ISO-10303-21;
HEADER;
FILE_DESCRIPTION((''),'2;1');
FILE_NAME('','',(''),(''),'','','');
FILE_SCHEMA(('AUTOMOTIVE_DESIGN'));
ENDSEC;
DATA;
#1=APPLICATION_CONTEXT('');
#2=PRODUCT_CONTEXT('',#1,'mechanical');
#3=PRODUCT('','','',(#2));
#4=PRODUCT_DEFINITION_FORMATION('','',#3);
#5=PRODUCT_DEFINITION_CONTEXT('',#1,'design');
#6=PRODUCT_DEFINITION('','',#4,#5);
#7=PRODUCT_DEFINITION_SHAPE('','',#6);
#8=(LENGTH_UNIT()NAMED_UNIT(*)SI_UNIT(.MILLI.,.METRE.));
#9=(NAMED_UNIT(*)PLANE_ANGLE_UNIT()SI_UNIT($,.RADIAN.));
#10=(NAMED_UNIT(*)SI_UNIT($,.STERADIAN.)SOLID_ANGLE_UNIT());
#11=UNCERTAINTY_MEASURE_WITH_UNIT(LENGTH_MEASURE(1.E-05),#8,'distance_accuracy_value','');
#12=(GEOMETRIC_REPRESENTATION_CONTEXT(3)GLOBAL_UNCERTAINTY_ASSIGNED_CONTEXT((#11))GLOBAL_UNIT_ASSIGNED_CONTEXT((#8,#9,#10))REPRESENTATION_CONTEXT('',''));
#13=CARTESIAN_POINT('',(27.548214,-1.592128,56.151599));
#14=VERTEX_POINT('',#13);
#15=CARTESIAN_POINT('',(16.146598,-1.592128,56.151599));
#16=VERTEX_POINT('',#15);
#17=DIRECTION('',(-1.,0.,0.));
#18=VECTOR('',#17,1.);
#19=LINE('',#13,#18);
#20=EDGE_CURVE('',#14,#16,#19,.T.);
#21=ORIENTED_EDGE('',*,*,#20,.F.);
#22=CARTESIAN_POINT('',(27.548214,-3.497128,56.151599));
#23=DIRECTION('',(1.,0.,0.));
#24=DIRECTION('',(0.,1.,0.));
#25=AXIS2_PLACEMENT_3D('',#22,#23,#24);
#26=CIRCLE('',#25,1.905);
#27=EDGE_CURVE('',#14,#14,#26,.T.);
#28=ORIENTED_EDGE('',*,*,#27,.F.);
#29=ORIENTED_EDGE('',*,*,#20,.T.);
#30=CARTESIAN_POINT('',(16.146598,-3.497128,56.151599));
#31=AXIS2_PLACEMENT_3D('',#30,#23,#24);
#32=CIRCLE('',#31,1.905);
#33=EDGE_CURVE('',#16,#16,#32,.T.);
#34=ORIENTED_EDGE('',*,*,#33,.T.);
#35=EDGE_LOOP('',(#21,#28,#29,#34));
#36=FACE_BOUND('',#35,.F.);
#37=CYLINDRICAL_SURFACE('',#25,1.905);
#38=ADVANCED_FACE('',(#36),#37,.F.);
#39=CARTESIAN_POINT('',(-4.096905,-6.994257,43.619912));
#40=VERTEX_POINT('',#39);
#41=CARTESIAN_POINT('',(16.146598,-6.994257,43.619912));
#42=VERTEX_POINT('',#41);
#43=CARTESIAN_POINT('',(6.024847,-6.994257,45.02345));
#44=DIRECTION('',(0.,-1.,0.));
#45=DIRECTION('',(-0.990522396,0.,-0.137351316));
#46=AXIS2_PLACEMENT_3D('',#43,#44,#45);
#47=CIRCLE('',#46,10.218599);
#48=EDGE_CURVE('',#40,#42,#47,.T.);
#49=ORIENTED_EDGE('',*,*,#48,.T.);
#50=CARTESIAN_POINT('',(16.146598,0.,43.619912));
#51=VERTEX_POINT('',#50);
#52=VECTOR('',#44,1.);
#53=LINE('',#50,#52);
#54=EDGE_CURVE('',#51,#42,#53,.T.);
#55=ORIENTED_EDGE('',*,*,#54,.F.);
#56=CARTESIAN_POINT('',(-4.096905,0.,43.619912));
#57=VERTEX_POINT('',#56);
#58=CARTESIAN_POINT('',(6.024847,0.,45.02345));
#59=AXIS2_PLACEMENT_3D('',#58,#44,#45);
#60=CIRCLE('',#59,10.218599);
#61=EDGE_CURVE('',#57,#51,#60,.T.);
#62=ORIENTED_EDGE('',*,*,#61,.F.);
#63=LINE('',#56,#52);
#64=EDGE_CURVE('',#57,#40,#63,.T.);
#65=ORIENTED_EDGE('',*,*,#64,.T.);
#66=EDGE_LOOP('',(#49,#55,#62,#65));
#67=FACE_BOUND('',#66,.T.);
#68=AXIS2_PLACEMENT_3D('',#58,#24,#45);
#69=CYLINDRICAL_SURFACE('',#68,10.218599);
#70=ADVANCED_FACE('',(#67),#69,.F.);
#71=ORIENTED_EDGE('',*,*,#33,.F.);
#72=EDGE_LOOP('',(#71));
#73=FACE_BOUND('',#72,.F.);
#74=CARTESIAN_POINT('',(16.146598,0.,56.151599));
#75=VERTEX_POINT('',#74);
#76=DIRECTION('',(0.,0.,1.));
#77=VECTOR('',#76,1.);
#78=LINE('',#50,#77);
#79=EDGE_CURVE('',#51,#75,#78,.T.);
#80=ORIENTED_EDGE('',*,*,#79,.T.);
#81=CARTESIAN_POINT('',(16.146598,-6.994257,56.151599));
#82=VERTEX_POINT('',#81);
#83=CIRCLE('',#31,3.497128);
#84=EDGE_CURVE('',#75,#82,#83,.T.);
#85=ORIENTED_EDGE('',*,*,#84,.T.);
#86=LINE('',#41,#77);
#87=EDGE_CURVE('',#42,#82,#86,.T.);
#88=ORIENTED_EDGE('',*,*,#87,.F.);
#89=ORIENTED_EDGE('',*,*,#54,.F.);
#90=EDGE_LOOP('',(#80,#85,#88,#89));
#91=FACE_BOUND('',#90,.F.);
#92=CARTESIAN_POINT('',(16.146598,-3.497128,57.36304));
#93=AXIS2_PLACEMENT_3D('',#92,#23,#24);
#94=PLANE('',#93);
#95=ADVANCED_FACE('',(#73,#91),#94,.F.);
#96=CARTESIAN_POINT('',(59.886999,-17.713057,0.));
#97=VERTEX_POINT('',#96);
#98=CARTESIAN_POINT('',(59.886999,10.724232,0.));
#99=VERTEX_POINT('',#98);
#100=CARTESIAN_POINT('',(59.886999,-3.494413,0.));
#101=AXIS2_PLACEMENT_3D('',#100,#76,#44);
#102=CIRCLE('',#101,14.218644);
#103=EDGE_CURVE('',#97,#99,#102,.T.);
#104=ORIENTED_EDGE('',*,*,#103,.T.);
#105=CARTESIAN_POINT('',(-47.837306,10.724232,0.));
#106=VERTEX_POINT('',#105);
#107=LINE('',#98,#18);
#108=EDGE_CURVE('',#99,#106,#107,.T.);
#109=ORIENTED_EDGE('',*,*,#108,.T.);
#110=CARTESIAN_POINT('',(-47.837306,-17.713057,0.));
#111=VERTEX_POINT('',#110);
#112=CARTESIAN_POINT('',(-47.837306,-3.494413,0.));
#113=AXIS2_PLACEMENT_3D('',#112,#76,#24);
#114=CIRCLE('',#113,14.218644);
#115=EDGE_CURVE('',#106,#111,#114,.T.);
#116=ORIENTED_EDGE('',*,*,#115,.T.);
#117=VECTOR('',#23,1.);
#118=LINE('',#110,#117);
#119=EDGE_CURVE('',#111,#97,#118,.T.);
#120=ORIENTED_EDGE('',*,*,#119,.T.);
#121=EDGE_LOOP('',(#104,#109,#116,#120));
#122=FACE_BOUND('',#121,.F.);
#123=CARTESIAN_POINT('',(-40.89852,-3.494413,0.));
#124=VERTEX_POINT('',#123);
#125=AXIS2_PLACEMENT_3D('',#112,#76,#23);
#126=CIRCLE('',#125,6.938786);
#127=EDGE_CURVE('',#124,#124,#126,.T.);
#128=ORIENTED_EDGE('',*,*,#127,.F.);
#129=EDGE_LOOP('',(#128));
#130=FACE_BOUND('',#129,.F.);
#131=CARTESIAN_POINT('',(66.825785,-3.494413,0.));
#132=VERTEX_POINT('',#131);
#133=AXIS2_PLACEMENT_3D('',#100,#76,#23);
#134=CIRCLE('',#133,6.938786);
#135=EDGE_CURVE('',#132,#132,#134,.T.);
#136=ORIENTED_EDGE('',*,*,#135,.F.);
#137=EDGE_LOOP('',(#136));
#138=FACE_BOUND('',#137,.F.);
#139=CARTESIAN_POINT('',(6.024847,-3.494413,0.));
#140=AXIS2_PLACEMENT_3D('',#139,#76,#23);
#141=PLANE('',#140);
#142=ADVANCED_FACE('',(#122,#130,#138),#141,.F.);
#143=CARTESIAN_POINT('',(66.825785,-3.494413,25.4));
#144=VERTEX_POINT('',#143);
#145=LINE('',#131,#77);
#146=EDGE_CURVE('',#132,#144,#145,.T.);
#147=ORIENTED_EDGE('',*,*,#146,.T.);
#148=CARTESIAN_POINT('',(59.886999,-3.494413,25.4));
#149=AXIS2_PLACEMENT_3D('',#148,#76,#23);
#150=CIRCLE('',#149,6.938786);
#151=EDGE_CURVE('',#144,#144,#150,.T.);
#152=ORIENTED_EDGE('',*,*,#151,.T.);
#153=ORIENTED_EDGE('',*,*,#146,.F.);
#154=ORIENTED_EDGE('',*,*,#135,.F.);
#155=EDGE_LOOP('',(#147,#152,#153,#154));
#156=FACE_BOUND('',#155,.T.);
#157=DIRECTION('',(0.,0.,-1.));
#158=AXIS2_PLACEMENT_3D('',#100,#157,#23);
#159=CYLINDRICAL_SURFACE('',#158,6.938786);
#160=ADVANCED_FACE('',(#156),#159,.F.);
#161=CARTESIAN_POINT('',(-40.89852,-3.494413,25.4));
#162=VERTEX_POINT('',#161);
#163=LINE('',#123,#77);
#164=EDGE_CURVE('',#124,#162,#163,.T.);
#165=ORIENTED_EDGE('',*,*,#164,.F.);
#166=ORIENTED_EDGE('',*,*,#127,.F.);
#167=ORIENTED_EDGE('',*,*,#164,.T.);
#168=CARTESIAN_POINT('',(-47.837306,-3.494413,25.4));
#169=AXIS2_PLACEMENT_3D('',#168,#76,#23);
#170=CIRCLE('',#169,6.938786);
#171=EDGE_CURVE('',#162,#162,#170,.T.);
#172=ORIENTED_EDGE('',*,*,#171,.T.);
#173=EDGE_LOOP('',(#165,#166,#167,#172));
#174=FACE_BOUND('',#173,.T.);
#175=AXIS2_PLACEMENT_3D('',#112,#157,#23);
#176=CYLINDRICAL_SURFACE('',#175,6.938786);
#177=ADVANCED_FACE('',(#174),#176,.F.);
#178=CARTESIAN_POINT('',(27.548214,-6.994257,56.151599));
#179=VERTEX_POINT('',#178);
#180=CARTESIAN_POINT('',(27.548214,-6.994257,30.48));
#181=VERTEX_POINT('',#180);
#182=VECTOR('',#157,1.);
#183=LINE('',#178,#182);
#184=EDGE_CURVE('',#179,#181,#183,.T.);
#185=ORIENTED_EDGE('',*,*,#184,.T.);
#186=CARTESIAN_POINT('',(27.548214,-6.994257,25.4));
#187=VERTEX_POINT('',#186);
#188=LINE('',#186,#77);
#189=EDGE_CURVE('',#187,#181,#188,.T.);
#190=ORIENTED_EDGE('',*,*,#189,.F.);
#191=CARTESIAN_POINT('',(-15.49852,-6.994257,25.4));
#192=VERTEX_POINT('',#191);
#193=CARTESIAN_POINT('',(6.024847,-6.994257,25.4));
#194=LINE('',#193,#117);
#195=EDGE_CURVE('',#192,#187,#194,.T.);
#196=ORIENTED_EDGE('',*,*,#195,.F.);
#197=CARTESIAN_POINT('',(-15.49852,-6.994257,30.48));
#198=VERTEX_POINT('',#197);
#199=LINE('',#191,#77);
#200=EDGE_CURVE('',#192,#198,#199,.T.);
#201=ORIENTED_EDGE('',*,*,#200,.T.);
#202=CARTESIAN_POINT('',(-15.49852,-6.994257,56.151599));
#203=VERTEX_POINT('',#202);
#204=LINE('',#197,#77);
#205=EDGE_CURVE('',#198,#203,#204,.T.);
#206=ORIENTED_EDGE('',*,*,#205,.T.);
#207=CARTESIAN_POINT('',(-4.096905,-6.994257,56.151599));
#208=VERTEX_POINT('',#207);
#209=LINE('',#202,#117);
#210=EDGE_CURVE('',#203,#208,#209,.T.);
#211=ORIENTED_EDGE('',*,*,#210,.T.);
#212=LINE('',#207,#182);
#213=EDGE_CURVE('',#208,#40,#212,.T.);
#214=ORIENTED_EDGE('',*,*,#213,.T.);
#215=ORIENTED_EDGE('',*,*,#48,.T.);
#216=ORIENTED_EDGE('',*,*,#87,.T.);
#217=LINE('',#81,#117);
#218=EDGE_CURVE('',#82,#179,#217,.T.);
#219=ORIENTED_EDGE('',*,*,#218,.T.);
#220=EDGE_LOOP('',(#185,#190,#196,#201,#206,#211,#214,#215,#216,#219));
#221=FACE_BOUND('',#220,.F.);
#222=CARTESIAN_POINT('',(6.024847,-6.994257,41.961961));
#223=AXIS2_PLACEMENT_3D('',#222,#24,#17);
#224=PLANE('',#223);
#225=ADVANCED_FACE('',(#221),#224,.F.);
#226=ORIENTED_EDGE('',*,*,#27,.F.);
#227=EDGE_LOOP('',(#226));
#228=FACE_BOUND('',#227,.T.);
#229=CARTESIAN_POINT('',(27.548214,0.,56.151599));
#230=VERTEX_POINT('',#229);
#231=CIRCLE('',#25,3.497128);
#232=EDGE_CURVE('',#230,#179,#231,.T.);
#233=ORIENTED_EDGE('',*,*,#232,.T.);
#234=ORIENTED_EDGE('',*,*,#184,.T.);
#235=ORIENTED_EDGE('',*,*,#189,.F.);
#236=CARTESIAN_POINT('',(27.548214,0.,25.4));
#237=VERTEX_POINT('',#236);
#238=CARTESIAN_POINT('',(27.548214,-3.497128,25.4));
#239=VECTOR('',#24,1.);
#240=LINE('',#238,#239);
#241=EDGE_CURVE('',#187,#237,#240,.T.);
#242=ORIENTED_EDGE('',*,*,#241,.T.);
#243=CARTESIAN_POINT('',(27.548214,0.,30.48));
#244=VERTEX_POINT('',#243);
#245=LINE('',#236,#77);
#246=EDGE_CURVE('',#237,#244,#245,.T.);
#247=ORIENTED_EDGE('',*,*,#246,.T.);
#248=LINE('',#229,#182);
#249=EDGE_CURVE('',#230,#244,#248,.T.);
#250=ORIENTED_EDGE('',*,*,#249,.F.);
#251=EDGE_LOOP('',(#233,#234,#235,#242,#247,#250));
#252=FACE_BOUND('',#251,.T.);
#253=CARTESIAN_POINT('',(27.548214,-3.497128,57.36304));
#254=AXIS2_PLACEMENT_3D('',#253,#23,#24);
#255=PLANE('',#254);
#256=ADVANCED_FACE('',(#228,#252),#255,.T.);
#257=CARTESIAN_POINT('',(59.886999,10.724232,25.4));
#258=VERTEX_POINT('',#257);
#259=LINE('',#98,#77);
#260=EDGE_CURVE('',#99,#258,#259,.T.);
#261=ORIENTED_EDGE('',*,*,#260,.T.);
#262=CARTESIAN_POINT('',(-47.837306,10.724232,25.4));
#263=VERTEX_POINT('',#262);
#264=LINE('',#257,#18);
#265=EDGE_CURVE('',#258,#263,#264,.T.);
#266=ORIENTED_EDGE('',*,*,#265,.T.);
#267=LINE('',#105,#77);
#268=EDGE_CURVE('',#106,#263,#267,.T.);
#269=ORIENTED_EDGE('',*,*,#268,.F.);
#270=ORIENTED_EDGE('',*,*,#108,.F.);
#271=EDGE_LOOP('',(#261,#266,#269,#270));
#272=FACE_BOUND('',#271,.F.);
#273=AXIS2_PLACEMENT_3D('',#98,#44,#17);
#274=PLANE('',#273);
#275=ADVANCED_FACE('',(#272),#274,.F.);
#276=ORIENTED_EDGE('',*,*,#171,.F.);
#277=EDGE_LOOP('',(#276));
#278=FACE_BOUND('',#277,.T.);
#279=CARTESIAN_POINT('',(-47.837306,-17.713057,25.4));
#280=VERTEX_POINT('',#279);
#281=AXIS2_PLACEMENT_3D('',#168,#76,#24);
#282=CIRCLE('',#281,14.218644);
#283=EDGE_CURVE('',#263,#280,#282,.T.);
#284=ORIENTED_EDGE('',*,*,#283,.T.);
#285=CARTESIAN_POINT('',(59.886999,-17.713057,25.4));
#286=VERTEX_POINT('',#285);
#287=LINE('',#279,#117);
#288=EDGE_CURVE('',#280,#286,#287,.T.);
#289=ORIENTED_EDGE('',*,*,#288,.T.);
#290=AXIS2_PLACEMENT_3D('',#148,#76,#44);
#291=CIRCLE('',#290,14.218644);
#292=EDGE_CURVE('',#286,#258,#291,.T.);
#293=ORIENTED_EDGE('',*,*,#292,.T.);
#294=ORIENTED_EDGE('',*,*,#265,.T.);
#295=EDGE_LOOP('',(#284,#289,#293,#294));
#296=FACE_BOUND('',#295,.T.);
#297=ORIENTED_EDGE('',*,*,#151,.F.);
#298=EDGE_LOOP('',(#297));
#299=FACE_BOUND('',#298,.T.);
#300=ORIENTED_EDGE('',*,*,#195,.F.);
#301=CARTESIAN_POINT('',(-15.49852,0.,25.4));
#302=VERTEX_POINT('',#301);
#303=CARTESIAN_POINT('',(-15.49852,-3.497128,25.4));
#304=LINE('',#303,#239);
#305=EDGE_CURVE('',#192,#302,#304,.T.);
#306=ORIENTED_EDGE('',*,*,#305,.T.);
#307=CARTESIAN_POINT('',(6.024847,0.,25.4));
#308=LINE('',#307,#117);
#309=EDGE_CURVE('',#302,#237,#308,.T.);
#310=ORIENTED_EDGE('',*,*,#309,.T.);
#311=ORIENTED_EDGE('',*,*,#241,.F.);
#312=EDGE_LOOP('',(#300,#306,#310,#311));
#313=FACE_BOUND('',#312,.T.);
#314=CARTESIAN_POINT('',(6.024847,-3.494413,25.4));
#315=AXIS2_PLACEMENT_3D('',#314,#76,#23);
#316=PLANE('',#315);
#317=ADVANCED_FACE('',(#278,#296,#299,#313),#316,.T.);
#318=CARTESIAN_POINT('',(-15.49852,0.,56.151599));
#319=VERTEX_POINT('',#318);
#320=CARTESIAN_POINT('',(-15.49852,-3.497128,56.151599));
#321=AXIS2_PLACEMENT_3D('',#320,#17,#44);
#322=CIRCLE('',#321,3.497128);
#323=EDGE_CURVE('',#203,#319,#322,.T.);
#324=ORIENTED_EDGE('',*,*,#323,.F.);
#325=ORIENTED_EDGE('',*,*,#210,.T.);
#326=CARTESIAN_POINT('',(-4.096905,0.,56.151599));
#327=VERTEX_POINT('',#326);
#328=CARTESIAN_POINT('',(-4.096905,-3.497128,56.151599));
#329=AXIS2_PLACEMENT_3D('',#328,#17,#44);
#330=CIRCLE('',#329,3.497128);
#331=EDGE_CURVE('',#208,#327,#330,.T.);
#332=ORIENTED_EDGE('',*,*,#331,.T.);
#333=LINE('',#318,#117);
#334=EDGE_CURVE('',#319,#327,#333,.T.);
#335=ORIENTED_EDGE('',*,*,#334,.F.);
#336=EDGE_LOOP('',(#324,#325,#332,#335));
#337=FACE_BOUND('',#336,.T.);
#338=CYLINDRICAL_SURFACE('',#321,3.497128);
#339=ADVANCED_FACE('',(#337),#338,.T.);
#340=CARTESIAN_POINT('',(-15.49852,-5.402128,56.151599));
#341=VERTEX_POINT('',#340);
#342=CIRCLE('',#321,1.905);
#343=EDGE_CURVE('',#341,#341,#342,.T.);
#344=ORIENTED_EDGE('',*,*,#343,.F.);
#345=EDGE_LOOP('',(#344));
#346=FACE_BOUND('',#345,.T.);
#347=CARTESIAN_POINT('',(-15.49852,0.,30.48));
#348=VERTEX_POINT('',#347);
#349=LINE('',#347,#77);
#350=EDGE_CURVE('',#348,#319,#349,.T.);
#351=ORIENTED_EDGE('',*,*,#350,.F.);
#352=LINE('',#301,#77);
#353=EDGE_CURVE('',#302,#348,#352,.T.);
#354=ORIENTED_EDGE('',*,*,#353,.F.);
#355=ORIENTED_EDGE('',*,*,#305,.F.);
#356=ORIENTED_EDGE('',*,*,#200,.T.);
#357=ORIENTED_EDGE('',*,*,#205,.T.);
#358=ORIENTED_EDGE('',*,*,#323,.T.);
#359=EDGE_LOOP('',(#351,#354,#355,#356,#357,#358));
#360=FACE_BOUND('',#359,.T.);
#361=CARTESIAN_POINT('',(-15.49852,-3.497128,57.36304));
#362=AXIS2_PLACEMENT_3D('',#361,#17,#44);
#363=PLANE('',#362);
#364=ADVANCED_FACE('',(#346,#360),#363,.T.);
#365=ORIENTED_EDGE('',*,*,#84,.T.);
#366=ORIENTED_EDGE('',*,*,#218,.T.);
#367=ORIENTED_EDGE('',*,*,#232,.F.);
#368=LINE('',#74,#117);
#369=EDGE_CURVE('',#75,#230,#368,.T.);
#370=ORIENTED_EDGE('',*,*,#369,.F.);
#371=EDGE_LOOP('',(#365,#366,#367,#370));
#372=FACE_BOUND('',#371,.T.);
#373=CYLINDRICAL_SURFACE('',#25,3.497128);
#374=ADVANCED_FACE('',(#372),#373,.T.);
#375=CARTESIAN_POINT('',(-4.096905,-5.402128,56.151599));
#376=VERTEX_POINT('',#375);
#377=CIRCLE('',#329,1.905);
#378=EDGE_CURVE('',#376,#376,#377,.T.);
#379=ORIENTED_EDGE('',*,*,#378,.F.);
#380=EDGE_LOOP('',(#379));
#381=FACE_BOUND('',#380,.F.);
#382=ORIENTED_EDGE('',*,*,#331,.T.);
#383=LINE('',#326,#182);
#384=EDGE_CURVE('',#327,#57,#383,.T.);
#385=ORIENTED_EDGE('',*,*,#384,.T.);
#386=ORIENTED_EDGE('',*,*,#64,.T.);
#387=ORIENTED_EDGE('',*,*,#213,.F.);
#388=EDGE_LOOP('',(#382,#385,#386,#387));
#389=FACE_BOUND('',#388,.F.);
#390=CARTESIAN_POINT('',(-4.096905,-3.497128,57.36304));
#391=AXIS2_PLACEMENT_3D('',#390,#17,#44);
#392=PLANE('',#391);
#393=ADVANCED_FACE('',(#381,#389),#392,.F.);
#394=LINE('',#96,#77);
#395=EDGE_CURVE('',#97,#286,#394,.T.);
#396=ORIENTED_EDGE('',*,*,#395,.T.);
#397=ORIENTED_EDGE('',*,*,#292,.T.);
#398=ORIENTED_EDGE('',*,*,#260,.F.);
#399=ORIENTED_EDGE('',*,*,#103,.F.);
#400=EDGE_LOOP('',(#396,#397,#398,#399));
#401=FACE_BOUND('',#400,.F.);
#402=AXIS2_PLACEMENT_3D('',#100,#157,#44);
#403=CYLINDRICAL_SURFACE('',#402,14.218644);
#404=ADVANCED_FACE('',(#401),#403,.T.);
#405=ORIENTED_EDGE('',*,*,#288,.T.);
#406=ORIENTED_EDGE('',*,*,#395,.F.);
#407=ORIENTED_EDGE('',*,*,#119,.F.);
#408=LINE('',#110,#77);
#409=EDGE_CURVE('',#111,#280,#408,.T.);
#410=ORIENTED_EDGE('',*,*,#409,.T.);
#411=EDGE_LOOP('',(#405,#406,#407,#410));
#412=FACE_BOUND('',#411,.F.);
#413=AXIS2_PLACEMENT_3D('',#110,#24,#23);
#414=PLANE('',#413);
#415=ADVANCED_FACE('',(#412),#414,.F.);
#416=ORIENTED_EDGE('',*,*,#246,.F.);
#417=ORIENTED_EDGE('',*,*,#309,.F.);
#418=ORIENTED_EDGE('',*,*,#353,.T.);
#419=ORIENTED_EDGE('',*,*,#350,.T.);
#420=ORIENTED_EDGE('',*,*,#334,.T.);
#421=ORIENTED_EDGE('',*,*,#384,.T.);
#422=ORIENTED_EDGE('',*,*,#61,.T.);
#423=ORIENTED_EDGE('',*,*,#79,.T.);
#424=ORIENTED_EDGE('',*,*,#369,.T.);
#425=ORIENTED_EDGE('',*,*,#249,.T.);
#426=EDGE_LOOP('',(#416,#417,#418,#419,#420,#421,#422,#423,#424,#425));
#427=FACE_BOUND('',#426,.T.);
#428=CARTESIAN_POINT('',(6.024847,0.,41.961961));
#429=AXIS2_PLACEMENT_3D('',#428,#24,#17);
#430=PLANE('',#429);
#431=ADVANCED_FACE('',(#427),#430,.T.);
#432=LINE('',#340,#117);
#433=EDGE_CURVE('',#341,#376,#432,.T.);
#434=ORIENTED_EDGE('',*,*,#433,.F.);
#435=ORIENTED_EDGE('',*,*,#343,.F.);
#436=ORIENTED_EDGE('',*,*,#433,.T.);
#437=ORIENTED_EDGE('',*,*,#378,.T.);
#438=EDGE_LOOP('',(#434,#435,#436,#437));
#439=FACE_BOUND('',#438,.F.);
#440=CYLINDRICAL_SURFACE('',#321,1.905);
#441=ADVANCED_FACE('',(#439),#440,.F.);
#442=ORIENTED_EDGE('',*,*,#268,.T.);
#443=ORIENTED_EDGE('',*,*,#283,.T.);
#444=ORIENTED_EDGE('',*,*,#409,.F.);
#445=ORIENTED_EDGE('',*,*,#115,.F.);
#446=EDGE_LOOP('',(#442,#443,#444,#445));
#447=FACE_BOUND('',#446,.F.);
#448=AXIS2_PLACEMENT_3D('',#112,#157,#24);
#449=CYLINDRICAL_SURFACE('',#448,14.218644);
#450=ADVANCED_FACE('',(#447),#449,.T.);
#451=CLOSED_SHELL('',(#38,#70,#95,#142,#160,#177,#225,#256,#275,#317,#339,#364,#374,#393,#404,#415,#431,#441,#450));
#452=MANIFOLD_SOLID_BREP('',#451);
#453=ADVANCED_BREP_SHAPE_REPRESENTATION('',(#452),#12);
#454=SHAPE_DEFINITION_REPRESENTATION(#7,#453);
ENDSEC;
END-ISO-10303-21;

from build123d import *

# Parameters (mm, degrees)
F0_R      = 6.9387858197
F1_DEPTH  = 25.4
F2_W      = 43.0467336029
F2_H      = 6.9942568773
F3_DEPTH  = 5.08
F5_DEPTH  = 6.9942568773
F7_DEPTH  = 11.4016152248
F9_DEPTH  = 11.4016152248
F10_R     = 1.905
F11_DEPTH = 11.4016152248
F12_R     = 1.905
F13_DEPTH = 11.4016152248


with BuildPart() as f1:
    # F0 (on Top) → F1 (new body)
    with BuildSketch(Plane.XY):
        with BuildLine():
            Line((59.8869994283, 10.7242316008), (-47.837305814, 10.7242316008))
            ThreePointArc((-47.837305814, 10.7242316008), (-62.055950053, -3.4944126382), (-47.837305814, -17.7130568773))
            Line((-47.837305814, -17.7130568773), (59.8869994283, -17.7130568773))
            ThreePointArc((59.8869994283, -17.7130568773), (74.1056436673, -3.4944126382), (59.8869994283, 10.7242316008))
        make_face()
        with Locations((-47.837305814, -3.4944126382)):
            Circle(F0_R, mode=Mode.SUBTRACT)
        with Locations((59.8869994283, -3.4944126382)):
            Circle(F0_R, mode=Mode.SUBTRACT)
    extrude(amount=F1_DEPTH)

    # F2 (on face) → F3 (join)
    with BuildSketch(Plane.XY.offset(25.4)):
        with Locations((6.0248468071, -3.4971284386)):
            Rectangle(F2_W, F2_H)
    extrude(amount=F3_DEPTH)

    # F4 (on face) → F5 (join, through all)
    with BuildSketch(Plane(origin=(0, 0, 0), x_dir=(-1, 0, 0), z_dir=(0, 1, 0))):
        with BuildLine():
            Line((-27.5482136086, 56.1515986919), (-27.5482136086, 30.48))
            Line((-27.5482136086, 30.48), (15.4985199943, 30.48))
            Line((15.4985199943, 30.48), (15.4985199943, 56.1515986919))
            Line((15.4985199943, 56.1515986919), (4.0969047695, 56.1515986919))
            Line((4.0969047695, 56.1515986919), (4.0969047695, 43.6199121177))
            ThreePointArc((4.0969047695, 43.6199121177), (-6.0248468071, 34.804850773), (-16.1465983838, 43.6199121177))
            Line((-16.1465983838, 43.6199121177), (-16.1465983838, 56.1515986919))
            Line((-16.1465983838, 56.1515986919), (-27.5482136086, 56.1515986919))
        make_face()
    extrude(amount=-F5_DEPTH)

    # F6 (on face) → F7 (join, through all)
    with BuildSketch(Plane.YZ.offset(27.5482136086)):
        with BuildLine():
            Line((-6.9942568773, 56.1515986919), (0, 56.1515986919))
            ThreePointArc((0, 56.1515986919), (-3.4971284386, 59.6487271306), (-6.9942568773, 56.1515986919))
        make_face()
    extrude(amount=-F7_DEPTH)

    # F8 (on face) → F9 (join, through all)
    with BuildSketch(Plane(origin=(-15.4985199943, 0, 0), x_dir=(0, -1, 0), z_dir=(-1, 0, 0))):
        with BuildLine():
            Line((0, 56.1515986919), (6.9942568773, 56.1515986919))
            ThreePointArc((6.9942568773, 56.1515986919), (3.4971284386, 59.6487271306), (0, 56.1515986919))
        make_face()
    extrude(amount=-F9_DEPTH)

    # F10 (on face) → F11 (cut, through all)
    with BuildSketch(Plane.YZ.offset(27.5482136086)):
        with Locations((-3.4971284386, 56.1515986919)):
            Circle(F10_R)
    extrude(amount=-F11_DEPTH, mode=Mode.SUBTRACT)

    # F12 (on face) → F13 (cut, through all)
    with BuildSketch(Plane(origin=(-15.4985199943, 0, 0), x_dir=(0, -1, 0), z_dir=(-1, 0, 0))):
        with Locations((3.4971284386, 56.1515986919)):
            Circle(F12_R)
    extrude(amount=-F13_DEPTH, mode=Mode.SUBTRACT)


solid = f1.part
